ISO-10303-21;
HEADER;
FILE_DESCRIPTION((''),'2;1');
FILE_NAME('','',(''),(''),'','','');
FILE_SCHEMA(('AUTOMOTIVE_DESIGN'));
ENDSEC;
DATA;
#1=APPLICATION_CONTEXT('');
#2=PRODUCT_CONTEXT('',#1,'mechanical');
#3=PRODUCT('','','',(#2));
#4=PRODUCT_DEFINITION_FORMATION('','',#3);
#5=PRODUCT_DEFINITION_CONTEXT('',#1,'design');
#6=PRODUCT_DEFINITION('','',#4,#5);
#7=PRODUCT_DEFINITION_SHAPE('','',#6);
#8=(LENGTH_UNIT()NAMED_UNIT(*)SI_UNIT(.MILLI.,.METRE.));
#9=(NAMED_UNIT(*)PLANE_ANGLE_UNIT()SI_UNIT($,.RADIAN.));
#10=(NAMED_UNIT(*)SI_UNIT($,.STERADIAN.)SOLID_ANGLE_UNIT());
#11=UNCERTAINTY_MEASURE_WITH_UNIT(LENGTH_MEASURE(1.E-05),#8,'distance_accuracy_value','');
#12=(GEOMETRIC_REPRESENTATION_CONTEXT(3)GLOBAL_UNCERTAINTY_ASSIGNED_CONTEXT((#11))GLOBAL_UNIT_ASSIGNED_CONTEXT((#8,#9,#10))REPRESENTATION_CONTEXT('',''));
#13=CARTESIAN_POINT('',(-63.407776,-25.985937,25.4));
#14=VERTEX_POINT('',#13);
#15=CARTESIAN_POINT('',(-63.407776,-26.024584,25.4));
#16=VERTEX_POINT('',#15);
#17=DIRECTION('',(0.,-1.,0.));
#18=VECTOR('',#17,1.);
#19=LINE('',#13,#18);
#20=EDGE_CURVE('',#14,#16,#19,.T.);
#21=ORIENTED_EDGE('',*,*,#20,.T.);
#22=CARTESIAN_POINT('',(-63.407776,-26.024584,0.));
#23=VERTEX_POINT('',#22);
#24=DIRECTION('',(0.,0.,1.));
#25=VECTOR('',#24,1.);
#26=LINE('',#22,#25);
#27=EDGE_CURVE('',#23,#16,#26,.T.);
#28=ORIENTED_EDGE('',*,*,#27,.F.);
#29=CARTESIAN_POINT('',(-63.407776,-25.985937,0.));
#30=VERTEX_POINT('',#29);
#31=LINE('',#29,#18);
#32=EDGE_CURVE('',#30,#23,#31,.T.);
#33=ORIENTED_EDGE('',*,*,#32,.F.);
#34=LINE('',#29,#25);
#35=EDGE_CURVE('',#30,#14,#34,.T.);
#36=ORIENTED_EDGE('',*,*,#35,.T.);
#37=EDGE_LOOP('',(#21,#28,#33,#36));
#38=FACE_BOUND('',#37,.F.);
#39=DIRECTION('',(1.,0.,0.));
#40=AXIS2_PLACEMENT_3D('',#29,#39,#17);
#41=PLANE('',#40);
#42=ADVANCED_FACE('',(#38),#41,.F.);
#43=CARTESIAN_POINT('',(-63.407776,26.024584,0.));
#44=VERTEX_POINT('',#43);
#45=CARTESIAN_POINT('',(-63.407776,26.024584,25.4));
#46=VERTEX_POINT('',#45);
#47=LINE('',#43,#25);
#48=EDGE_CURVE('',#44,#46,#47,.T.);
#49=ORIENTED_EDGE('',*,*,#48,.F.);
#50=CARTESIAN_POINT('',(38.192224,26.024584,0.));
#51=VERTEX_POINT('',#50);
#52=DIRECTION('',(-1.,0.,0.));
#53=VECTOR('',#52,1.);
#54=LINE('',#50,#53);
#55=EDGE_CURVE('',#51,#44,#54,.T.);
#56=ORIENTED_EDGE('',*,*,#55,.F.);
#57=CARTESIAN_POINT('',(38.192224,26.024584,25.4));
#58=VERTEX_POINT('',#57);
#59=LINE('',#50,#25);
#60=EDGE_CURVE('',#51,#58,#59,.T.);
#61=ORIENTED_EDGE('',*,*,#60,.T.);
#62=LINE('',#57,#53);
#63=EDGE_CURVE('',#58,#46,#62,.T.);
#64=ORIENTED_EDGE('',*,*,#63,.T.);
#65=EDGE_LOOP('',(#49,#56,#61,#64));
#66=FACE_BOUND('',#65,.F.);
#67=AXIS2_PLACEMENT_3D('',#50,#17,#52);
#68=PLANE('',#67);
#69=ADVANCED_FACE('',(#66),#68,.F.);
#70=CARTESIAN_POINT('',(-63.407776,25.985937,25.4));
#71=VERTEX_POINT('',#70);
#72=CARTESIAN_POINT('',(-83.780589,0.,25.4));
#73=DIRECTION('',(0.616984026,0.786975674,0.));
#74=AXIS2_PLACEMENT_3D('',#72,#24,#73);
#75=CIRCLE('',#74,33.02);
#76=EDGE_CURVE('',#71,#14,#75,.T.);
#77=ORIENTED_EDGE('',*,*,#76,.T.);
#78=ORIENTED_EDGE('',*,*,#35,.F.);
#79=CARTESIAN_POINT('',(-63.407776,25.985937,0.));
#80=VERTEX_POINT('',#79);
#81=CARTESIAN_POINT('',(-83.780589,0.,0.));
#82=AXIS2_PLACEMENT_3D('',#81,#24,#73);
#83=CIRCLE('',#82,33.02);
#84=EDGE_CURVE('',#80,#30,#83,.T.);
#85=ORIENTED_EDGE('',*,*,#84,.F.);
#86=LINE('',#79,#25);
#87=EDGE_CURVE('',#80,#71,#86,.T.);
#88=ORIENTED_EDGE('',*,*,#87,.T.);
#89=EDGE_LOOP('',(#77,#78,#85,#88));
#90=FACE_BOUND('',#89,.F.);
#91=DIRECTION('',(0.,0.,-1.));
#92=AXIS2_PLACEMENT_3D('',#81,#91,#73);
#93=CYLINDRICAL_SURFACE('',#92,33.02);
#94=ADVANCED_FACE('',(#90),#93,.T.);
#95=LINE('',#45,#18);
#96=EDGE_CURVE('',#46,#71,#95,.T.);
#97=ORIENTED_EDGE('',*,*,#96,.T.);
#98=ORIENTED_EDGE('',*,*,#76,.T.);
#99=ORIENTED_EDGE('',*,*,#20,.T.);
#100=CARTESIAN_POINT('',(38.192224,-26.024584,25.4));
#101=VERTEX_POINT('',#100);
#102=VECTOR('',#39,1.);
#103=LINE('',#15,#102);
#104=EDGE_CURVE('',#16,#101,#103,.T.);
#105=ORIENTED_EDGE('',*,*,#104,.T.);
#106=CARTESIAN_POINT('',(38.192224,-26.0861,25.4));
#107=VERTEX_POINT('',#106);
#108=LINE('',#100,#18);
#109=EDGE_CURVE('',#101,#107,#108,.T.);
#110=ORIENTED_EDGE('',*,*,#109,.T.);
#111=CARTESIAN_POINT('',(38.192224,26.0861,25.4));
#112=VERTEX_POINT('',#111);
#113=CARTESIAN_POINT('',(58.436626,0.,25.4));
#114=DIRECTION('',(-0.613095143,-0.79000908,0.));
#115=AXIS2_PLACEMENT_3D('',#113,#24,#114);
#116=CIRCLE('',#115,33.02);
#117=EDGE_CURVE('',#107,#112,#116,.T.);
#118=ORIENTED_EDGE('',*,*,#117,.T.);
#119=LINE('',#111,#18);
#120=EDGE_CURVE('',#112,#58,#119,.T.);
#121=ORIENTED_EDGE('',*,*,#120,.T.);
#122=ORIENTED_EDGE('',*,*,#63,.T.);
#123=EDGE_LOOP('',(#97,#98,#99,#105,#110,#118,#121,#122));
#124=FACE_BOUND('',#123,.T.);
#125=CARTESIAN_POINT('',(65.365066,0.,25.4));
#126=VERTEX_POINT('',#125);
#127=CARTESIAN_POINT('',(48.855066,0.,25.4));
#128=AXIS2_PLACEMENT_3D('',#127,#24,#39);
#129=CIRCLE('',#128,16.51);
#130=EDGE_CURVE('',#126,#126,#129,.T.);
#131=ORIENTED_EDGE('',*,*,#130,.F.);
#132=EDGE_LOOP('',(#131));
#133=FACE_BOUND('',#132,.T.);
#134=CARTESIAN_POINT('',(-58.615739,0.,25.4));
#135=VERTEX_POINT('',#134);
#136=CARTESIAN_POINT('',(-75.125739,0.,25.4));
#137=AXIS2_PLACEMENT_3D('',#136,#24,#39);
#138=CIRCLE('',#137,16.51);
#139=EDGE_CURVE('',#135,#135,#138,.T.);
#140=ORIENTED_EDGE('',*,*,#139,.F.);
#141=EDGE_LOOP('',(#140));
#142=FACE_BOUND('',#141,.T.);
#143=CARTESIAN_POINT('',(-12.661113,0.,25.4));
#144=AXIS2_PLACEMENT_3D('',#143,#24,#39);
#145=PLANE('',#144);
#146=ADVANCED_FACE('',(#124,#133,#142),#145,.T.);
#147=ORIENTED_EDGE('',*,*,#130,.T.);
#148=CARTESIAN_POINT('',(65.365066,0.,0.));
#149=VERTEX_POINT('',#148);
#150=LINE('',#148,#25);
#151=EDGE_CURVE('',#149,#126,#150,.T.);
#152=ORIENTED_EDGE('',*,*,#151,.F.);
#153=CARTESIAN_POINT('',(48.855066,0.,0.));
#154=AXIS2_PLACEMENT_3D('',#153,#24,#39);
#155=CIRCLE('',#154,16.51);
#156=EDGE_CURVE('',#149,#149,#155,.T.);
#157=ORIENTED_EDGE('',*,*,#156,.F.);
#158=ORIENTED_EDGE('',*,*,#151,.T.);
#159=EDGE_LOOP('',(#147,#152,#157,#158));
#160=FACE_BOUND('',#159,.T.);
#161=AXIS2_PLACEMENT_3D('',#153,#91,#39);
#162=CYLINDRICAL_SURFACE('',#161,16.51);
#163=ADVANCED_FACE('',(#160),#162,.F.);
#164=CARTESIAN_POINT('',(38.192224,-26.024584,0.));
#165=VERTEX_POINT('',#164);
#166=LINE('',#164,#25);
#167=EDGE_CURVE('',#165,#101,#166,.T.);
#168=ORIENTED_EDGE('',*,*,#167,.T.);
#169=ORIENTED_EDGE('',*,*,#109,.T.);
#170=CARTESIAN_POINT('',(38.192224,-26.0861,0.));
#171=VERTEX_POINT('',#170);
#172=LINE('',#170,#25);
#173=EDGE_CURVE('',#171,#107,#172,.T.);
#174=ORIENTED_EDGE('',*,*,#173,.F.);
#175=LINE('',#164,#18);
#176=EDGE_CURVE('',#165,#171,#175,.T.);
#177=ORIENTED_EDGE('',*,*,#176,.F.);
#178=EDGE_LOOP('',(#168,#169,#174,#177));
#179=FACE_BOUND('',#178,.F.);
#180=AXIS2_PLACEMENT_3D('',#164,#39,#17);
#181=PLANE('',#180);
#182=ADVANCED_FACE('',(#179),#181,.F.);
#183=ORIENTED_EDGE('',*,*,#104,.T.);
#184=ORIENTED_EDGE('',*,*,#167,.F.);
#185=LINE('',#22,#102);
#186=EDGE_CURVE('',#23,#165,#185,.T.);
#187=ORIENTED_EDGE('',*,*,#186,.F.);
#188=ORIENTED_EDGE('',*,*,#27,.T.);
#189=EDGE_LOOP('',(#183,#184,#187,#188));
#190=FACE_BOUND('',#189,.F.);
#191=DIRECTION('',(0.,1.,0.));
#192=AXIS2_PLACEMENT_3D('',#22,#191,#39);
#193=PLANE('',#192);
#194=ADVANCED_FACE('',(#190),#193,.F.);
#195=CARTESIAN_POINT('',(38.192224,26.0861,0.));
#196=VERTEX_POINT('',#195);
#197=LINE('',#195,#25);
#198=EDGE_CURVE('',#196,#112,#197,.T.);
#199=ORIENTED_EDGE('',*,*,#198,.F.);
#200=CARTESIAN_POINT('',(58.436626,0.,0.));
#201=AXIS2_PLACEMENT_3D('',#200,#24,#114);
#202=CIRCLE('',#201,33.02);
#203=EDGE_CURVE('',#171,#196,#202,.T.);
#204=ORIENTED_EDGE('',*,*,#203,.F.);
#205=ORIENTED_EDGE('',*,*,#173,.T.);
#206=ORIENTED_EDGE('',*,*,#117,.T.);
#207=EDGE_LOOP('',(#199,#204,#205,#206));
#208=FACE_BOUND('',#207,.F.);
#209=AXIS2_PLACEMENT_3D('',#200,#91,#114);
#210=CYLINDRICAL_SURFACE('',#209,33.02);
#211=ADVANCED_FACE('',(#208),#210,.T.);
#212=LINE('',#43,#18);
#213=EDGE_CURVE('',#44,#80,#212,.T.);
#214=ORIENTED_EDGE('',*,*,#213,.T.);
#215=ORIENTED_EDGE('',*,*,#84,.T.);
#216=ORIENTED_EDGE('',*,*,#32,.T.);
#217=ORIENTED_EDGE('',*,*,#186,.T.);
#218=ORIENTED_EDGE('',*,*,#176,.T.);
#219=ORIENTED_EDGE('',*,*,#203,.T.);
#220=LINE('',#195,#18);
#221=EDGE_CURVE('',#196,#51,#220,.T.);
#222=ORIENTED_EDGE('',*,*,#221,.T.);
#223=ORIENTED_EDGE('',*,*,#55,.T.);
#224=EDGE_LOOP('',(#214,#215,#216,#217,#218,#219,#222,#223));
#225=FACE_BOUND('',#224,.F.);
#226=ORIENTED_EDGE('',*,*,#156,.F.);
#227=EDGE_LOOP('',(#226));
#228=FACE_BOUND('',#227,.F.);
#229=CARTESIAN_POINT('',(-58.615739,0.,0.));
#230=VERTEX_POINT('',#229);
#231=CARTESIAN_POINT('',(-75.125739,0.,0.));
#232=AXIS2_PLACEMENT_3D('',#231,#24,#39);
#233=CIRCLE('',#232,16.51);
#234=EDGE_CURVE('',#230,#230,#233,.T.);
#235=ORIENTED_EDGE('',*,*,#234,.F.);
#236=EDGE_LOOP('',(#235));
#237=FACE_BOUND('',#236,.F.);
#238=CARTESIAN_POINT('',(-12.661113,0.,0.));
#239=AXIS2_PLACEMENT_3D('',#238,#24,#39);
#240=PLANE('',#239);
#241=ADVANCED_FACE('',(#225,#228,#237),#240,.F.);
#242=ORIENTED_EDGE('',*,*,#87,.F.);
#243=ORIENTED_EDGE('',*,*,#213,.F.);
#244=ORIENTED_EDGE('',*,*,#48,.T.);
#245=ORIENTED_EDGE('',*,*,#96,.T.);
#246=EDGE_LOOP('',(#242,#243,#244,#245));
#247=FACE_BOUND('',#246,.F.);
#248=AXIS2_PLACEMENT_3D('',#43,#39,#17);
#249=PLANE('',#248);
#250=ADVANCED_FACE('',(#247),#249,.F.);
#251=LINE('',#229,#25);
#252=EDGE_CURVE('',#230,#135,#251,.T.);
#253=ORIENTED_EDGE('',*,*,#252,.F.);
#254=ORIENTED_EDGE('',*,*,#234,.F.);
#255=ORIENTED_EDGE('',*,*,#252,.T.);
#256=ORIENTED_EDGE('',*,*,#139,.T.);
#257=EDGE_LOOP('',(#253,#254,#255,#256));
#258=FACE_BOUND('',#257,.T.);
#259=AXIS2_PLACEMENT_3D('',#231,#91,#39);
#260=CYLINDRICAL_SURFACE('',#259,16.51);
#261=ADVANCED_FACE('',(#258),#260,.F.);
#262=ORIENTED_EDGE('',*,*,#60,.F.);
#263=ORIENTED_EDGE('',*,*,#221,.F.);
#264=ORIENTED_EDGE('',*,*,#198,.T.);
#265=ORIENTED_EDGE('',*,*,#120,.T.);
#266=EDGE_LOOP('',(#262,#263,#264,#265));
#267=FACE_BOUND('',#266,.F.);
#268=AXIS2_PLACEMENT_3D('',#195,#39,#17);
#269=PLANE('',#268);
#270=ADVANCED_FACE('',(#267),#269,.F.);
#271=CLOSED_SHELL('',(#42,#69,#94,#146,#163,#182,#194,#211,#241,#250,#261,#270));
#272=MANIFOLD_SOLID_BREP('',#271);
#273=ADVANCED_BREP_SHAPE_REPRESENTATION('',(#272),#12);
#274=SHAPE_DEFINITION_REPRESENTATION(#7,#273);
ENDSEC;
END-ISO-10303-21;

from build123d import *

# Parameters (mm, degrees)
F0_R     = 16.51
F2_DEPTH = 25.4


with BuildPart() as f2:
    # F0 (on Top) → F2 (new body)
    with BuildSketch(Plane.XY):
        with BuildLine():
            Line((38.192224, 26.0861), (38.192224, 26.024584))
            Line((38.192224, 26.024584), (-63.407776, 26.024584))
            Line((-63.407776, 26.024584), (-63.407776, 25.985937))
            ThreePointArc((-63.407776, 25.985937), (-116.800589, 0), (-63.407776, -25.985937))
            Line((-63.407776, -25.985937), (-63.407776, -26.024584))
            Line((-63.407776, -26.024584), (38.192224, -26.024584))
            Line((38.192224, -26.024584), (38.192224, -26.0861))
            ThreePointArc((38.192224, -26.0861), (91.456626, 0), (38.192224, 26.0861))
        make_face()
        with Locations((-75.125739, 0)):
            Circle(F0_R, mode=Mode.SUBTRACT)
        with Locations((48.855066, 0)):
            Circle(F0_R, mode=Mode.SUBTRACT)
    extrude(amount=F2_DEPTH)


solid = f2.part
